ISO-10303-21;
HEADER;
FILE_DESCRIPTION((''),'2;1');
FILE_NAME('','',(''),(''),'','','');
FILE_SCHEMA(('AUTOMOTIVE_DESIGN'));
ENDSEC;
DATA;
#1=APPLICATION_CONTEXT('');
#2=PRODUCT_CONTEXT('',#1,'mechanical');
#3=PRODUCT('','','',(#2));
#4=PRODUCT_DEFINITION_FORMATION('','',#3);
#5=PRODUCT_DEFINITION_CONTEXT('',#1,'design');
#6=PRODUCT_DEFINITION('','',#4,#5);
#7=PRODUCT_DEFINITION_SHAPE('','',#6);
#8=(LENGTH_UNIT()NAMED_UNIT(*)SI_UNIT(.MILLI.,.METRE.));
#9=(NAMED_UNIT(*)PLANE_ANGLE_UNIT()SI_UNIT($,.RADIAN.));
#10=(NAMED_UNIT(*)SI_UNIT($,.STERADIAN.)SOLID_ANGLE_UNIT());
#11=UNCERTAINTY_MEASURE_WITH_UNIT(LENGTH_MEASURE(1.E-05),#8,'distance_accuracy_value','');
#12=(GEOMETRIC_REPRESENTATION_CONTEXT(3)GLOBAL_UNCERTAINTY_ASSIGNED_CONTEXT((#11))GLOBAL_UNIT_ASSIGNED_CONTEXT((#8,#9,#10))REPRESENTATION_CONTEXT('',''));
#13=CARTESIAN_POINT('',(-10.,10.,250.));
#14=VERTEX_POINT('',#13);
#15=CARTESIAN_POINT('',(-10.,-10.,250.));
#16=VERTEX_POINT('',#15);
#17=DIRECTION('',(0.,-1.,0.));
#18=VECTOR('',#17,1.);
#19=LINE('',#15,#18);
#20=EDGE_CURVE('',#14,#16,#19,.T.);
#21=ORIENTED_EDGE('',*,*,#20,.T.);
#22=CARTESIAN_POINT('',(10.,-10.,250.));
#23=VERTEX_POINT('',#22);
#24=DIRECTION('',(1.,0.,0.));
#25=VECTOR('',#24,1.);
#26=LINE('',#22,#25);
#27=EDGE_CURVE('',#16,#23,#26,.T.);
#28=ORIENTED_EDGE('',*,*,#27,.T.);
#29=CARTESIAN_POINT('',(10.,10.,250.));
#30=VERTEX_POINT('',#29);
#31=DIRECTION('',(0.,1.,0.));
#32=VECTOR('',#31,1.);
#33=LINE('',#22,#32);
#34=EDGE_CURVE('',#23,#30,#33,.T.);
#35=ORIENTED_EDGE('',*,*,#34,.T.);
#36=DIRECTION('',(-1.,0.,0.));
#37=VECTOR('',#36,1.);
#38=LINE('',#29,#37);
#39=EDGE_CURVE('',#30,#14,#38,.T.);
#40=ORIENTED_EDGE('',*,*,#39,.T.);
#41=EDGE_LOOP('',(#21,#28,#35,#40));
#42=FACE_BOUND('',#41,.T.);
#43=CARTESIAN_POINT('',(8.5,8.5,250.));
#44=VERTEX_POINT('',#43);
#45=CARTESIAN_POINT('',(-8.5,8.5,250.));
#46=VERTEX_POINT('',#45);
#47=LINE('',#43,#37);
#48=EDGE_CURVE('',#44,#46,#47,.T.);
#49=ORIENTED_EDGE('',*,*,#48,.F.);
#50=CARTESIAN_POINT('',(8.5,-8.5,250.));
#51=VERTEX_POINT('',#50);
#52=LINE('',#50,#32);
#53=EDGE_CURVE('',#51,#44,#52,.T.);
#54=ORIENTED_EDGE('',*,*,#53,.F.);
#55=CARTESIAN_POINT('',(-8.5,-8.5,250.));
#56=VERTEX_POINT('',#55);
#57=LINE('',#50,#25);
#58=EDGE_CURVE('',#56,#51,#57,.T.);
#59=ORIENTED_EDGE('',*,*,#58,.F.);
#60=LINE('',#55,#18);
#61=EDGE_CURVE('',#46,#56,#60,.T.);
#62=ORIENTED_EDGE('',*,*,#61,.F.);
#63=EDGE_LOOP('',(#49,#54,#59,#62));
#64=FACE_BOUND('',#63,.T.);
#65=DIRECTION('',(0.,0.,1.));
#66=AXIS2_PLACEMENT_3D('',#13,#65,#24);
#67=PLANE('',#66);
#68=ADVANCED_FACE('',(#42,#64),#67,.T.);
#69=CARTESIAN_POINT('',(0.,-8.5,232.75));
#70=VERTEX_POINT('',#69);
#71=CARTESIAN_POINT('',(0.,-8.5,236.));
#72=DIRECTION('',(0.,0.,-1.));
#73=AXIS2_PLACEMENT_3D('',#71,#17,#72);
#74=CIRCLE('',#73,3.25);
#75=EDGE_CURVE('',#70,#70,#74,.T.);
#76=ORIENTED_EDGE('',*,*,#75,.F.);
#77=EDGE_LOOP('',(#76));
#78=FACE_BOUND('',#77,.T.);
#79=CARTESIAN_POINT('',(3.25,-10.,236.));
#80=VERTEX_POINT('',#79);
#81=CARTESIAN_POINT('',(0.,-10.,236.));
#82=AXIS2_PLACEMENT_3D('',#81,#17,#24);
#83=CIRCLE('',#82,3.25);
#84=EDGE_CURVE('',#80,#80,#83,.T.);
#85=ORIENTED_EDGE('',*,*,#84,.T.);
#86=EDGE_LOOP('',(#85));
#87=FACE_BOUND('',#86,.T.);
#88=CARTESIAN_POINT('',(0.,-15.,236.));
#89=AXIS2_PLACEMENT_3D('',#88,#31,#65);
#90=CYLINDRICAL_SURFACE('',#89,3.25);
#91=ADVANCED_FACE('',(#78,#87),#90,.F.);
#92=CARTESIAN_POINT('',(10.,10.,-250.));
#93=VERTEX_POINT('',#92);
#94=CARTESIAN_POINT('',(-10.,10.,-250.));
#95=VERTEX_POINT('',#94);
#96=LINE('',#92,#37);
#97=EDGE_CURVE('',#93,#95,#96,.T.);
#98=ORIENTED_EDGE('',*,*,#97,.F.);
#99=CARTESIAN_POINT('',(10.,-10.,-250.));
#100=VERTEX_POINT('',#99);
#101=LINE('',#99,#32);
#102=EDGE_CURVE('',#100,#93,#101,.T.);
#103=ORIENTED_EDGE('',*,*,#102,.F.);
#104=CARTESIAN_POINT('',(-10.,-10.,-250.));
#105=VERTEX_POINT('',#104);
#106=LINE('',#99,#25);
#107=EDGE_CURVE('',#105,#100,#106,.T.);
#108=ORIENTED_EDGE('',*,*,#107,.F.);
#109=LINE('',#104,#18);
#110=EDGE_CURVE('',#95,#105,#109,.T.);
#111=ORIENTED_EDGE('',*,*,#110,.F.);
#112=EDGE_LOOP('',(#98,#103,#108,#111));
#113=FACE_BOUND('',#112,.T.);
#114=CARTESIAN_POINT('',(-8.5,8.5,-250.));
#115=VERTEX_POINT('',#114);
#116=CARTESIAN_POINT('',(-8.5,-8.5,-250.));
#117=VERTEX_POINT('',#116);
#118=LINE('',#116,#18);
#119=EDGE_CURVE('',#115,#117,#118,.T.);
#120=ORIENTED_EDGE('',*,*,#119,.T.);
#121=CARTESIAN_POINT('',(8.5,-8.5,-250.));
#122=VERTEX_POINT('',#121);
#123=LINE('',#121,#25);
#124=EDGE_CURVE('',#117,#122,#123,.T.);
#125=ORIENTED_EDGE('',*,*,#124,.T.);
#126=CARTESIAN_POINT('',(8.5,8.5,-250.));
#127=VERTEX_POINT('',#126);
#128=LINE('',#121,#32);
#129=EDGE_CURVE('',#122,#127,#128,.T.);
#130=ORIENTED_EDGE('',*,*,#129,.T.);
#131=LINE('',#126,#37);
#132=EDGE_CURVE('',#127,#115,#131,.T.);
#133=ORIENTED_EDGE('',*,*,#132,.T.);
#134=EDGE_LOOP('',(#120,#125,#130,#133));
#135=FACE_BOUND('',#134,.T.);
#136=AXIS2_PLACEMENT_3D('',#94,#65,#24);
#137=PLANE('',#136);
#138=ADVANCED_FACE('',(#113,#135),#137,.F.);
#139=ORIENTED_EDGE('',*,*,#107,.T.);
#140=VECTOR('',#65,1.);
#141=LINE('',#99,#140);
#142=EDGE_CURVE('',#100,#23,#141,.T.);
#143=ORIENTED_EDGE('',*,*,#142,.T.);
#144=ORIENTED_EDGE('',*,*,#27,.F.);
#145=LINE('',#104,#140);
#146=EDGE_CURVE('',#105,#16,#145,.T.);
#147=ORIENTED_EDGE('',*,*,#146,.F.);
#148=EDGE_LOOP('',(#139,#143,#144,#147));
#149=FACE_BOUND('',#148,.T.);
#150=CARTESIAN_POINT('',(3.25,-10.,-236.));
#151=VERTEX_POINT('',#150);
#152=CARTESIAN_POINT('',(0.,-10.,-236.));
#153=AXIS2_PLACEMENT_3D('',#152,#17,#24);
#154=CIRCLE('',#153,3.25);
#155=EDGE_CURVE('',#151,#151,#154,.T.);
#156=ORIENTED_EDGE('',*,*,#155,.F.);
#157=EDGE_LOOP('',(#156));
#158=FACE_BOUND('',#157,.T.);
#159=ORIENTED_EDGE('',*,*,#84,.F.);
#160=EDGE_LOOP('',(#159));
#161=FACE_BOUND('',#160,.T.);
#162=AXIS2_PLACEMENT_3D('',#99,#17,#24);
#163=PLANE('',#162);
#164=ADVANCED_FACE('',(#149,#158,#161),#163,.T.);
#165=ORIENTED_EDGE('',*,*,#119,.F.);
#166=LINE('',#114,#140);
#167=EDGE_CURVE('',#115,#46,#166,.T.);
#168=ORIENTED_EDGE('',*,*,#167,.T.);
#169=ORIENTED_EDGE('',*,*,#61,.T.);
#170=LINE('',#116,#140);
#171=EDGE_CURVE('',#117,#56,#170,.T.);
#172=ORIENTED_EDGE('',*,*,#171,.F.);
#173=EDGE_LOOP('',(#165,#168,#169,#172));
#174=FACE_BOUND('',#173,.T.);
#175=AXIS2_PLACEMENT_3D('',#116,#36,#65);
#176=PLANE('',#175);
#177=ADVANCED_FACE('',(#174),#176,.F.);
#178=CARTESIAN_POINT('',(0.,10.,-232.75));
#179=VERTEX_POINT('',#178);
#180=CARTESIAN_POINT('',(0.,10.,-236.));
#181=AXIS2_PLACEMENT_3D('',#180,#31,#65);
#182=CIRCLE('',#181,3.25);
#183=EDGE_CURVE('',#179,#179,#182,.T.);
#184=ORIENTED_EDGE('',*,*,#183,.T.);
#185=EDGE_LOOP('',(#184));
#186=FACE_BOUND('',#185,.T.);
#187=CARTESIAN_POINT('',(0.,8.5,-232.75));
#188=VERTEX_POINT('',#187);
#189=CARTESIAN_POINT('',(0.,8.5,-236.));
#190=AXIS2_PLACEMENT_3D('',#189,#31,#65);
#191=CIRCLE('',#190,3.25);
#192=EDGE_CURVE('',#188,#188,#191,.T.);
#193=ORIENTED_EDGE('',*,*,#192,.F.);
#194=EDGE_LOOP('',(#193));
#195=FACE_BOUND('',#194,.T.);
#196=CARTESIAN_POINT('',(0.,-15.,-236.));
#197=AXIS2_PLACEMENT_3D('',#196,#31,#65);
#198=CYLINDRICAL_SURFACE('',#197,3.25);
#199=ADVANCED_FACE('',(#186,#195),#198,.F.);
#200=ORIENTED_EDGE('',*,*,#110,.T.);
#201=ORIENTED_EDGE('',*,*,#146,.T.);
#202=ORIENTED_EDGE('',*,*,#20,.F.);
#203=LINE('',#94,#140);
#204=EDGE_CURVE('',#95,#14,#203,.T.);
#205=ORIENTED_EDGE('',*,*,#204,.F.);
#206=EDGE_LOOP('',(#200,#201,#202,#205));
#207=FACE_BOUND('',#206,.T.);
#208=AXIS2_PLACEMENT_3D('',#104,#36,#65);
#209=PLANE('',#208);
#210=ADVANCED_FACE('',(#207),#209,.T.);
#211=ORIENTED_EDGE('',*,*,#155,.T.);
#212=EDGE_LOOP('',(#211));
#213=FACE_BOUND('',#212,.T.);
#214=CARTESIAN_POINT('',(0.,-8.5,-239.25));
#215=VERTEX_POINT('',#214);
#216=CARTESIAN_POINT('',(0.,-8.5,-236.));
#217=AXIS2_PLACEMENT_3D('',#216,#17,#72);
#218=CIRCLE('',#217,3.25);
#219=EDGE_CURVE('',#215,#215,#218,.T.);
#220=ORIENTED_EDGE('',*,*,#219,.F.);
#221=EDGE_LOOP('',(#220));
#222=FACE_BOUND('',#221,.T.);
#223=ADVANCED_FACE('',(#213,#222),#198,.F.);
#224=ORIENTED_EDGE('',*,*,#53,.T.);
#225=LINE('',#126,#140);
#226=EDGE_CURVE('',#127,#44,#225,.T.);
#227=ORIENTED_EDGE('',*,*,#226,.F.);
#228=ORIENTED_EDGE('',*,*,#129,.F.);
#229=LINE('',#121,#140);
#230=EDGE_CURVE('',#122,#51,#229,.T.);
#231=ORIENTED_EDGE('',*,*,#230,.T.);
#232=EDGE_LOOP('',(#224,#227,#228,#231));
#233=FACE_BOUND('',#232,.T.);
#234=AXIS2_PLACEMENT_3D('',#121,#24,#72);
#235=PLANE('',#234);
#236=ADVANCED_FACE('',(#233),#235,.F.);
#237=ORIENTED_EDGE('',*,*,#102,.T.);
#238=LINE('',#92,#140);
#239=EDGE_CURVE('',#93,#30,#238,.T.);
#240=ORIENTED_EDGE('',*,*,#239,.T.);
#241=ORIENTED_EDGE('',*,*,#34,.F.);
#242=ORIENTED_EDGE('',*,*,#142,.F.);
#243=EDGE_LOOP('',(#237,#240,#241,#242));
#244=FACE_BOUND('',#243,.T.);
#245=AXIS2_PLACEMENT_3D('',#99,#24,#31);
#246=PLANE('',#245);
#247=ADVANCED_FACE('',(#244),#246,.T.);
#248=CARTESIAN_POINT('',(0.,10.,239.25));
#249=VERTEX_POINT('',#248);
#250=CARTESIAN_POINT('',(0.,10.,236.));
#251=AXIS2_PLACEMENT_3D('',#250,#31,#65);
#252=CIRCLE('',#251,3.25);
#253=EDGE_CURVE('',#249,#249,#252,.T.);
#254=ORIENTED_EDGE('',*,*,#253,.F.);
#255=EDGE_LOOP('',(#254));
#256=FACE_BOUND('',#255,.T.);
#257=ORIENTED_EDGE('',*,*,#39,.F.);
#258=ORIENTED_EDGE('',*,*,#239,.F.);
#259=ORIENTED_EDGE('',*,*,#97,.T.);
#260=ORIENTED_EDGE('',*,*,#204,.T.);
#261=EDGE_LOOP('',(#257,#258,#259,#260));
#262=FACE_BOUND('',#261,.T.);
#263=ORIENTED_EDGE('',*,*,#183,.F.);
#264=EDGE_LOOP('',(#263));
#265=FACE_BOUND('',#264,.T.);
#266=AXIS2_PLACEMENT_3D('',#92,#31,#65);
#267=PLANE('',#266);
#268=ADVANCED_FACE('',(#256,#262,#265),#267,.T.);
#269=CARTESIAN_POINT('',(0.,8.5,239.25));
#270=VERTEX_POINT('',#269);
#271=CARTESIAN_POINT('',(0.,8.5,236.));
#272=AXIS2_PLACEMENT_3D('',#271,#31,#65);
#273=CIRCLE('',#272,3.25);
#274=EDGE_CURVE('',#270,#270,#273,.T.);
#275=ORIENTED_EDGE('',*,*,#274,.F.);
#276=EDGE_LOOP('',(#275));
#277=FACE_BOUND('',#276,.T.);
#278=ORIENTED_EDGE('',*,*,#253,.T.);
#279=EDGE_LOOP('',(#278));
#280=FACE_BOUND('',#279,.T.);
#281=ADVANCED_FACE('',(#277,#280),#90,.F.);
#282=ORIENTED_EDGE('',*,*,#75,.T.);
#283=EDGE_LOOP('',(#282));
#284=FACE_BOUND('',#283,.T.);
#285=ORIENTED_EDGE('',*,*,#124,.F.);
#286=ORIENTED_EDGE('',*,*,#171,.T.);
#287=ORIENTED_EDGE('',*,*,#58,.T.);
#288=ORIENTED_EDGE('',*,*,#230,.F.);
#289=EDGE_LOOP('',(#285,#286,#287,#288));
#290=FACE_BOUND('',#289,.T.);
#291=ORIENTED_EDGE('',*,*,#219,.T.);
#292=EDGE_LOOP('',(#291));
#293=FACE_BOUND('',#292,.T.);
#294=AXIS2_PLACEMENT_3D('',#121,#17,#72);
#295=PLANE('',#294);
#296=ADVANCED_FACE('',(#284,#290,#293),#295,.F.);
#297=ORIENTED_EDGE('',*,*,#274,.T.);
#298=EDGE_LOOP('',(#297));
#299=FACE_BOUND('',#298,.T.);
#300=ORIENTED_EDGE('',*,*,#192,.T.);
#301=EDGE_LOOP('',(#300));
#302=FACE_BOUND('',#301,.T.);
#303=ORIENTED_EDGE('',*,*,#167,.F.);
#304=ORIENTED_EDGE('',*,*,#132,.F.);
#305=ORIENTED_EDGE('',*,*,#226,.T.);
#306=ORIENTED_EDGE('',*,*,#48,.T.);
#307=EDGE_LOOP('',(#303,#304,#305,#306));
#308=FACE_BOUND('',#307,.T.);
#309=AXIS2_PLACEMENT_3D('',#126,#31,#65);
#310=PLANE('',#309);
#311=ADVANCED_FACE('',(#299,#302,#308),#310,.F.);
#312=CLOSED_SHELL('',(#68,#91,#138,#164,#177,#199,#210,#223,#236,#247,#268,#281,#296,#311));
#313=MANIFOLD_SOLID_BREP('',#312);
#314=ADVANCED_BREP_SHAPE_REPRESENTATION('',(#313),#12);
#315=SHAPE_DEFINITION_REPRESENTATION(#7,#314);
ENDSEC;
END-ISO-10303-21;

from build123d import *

# Parameters (mm, degrees)
SKIZZE1_W                       = 20
SKIZZE1_H                       = 20
SKIZZE1_W_2                     = 17
SKIZZE1_H_2                     = 17
AUFSATZ_LINEAR_AUSTRAGEN1_DEPTH = 250
SKIZZE2_R                       = 3.25
SCHNITT_LINEAR_AUSTRAGEN1_DEPTH = 15


with BuildPart() as part:
    # Skizze1 → Aufsatz-Linear austragen1 (new, symmetric)
    with BuildSketch(Plane.XY):
        Rectangle(SKIZZE1_W, SKIZZE1_H)
        Rectangle(SKIZZE1_W_2, SKIZZE1_H_2, mode=Mode.SUBTRACT)
    extrude(amount=AUFSATZ_LINEAR_AUSTRAGEN1_DEPTH, both=True)

    # Skizze2 → Schnitt-Linear austragen1 (cut, symmetric)
    with BuildSketch(Plane(origin=(0, 0, 0), x_dir=(1, 0, 0), z_dir=(0, 1, 0))):
        with Locations((0, -236)):
            Circle(SKIZZE2_R)
        with Locations((0, 236)):
            Circle(SKIZZE2_R)
    extrude(amount=SCHNITT_LINEAR_AUSTRAGEN1_DEPTH, both=True, mode=Mode.SUBTRACT)


solid = part.part
